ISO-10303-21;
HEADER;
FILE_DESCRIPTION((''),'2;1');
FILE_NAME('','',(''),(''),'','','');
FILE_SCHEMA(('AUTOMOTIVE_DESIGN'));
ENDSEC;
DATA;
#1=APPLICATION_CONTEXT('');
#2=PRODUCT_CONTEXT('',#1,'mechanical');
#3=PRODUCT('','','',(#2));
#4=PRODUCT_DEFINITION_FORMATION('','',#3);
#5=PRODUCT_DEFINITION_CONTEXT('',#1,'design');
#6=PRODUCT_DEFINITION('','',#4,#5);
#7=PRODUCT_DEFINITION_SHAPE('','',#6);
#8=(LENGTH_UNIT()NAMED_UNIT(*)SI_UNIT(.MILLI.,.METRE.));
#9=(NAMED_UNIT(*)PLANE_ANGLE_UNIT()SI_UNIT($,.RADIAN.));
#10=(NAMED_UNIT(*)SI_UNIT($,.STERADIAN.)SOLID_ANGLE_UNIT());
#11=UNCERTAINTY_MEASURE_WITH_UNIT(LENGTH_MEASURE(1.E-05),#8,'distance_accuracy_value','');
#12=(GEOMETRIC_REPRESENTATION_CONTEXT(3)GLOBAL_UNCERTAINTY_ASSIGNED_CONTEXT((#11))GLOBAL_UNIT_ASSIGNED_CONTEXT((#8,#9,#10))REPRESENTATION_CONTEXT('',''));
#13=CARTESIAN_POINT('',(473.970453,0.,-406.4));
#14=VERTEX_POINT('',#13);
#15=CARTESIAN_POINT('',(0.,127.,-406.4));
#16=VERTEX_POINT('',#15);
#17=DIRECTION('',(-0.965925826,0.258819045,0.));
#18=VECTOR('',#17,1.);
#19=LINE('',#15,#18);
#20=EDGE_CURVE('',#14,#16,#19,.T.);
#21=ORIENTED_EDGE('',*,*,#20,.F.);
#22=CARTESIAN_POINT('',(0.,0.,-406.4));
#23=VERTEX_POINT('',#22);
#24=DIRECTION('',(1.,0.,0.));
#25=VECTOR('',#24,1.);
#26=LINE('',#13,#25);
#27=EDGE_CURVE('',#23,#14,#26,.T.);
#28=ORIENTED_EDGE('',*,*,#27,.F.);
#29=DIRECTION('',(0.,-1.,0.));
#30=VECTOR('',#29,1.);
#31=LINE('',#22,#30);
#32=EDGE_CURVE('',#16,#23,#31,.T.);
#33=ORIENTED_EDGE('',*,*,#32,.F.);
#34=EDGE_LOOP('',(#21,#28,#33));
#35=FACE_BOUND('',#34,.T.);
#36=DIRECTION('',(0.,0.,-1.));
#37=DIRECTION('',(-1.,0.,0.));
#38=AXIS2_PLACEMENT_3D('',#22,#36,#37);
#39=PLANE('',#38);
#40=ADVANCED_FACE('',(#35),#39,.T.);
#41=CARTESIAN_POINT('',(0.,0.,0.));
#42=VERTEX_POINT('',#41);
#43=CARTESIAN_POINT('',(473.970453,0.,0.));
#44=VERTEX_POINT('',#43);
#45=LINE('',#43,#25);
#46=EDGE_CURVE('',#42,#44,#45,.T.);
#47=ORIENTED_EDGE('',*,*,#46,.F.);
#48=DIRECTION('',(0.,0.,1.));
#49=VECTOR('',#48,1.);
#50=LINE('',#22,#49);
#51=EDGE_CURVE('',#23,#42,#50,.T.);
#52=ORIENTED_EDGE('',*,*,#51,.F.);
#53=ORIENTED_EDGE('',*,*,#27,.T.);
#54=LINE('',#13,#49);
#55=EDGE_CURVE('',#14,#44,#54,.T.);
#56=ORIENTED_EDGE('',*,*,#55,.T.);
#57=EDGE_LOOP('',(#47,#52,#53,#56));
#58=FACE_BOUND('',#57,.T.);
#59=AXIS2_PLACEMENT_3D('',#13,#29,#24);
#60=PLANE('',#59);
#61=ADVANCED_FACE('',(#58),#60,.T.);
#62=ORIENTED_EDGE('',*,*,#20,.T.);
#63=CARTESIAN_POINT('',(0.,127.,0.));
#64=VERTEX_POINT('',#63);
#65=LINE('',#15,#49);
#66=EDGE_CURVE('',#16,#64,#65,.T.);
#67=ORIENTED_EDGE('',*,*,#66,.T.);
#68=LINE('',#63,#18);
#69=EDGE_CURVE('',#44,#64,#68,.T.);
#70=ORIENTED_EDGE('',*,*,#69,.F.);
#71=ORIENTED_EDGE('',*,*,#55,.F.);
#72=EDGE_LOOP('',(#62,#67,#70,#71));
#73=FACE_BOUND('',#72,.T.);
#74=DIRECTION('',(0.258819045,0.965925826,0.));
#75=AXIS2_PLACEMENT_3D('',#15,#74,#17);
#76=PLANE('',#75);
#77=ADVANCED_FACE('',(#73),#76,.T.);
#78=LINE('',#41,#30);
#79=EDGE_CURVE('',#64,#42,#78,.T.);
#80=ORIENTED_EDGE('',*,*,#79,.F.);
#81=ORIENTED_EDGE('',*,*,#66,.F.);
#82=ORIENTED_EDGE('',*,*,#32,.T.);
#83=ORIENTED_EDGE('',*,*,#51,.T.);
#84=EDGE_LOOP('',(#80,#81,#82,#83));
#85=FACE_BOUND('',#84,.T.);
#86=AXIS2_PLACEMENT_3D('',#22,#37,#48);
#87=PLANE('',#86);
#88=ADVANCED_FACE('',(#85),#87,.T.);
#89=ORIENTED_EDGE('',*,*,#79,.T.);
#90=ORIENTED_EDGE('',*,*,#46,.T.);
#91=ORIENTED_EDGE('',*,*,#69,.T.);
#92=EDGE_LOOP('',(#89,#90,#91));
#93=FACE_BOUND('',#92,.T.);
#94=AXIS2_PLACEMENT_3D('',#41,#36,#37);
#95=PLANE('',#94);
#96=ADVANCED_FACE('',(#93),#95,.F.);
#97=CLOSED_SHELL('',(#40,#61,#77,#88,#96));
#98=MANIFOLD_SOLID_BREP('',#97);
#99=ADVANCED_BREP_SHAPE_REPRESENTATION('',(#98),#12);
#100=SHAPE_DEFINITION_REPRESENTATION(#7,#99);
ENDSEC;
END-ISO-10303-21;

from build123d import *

# Parameters (mm, degrees)
BOSS_EXTRUDE1_DEPTH = 406.4


with BuildPart() as part:
    # Sketch1 → Boss-Extrude1 (new body)
    with BuildSketch(Plane.XY):
        Polygon((0, 0), (0, 127), (473.970452561, 0), align=None)
    extrude(amount=-BOSS_EXTRUDE1_DEPTH)


solid = part.part
